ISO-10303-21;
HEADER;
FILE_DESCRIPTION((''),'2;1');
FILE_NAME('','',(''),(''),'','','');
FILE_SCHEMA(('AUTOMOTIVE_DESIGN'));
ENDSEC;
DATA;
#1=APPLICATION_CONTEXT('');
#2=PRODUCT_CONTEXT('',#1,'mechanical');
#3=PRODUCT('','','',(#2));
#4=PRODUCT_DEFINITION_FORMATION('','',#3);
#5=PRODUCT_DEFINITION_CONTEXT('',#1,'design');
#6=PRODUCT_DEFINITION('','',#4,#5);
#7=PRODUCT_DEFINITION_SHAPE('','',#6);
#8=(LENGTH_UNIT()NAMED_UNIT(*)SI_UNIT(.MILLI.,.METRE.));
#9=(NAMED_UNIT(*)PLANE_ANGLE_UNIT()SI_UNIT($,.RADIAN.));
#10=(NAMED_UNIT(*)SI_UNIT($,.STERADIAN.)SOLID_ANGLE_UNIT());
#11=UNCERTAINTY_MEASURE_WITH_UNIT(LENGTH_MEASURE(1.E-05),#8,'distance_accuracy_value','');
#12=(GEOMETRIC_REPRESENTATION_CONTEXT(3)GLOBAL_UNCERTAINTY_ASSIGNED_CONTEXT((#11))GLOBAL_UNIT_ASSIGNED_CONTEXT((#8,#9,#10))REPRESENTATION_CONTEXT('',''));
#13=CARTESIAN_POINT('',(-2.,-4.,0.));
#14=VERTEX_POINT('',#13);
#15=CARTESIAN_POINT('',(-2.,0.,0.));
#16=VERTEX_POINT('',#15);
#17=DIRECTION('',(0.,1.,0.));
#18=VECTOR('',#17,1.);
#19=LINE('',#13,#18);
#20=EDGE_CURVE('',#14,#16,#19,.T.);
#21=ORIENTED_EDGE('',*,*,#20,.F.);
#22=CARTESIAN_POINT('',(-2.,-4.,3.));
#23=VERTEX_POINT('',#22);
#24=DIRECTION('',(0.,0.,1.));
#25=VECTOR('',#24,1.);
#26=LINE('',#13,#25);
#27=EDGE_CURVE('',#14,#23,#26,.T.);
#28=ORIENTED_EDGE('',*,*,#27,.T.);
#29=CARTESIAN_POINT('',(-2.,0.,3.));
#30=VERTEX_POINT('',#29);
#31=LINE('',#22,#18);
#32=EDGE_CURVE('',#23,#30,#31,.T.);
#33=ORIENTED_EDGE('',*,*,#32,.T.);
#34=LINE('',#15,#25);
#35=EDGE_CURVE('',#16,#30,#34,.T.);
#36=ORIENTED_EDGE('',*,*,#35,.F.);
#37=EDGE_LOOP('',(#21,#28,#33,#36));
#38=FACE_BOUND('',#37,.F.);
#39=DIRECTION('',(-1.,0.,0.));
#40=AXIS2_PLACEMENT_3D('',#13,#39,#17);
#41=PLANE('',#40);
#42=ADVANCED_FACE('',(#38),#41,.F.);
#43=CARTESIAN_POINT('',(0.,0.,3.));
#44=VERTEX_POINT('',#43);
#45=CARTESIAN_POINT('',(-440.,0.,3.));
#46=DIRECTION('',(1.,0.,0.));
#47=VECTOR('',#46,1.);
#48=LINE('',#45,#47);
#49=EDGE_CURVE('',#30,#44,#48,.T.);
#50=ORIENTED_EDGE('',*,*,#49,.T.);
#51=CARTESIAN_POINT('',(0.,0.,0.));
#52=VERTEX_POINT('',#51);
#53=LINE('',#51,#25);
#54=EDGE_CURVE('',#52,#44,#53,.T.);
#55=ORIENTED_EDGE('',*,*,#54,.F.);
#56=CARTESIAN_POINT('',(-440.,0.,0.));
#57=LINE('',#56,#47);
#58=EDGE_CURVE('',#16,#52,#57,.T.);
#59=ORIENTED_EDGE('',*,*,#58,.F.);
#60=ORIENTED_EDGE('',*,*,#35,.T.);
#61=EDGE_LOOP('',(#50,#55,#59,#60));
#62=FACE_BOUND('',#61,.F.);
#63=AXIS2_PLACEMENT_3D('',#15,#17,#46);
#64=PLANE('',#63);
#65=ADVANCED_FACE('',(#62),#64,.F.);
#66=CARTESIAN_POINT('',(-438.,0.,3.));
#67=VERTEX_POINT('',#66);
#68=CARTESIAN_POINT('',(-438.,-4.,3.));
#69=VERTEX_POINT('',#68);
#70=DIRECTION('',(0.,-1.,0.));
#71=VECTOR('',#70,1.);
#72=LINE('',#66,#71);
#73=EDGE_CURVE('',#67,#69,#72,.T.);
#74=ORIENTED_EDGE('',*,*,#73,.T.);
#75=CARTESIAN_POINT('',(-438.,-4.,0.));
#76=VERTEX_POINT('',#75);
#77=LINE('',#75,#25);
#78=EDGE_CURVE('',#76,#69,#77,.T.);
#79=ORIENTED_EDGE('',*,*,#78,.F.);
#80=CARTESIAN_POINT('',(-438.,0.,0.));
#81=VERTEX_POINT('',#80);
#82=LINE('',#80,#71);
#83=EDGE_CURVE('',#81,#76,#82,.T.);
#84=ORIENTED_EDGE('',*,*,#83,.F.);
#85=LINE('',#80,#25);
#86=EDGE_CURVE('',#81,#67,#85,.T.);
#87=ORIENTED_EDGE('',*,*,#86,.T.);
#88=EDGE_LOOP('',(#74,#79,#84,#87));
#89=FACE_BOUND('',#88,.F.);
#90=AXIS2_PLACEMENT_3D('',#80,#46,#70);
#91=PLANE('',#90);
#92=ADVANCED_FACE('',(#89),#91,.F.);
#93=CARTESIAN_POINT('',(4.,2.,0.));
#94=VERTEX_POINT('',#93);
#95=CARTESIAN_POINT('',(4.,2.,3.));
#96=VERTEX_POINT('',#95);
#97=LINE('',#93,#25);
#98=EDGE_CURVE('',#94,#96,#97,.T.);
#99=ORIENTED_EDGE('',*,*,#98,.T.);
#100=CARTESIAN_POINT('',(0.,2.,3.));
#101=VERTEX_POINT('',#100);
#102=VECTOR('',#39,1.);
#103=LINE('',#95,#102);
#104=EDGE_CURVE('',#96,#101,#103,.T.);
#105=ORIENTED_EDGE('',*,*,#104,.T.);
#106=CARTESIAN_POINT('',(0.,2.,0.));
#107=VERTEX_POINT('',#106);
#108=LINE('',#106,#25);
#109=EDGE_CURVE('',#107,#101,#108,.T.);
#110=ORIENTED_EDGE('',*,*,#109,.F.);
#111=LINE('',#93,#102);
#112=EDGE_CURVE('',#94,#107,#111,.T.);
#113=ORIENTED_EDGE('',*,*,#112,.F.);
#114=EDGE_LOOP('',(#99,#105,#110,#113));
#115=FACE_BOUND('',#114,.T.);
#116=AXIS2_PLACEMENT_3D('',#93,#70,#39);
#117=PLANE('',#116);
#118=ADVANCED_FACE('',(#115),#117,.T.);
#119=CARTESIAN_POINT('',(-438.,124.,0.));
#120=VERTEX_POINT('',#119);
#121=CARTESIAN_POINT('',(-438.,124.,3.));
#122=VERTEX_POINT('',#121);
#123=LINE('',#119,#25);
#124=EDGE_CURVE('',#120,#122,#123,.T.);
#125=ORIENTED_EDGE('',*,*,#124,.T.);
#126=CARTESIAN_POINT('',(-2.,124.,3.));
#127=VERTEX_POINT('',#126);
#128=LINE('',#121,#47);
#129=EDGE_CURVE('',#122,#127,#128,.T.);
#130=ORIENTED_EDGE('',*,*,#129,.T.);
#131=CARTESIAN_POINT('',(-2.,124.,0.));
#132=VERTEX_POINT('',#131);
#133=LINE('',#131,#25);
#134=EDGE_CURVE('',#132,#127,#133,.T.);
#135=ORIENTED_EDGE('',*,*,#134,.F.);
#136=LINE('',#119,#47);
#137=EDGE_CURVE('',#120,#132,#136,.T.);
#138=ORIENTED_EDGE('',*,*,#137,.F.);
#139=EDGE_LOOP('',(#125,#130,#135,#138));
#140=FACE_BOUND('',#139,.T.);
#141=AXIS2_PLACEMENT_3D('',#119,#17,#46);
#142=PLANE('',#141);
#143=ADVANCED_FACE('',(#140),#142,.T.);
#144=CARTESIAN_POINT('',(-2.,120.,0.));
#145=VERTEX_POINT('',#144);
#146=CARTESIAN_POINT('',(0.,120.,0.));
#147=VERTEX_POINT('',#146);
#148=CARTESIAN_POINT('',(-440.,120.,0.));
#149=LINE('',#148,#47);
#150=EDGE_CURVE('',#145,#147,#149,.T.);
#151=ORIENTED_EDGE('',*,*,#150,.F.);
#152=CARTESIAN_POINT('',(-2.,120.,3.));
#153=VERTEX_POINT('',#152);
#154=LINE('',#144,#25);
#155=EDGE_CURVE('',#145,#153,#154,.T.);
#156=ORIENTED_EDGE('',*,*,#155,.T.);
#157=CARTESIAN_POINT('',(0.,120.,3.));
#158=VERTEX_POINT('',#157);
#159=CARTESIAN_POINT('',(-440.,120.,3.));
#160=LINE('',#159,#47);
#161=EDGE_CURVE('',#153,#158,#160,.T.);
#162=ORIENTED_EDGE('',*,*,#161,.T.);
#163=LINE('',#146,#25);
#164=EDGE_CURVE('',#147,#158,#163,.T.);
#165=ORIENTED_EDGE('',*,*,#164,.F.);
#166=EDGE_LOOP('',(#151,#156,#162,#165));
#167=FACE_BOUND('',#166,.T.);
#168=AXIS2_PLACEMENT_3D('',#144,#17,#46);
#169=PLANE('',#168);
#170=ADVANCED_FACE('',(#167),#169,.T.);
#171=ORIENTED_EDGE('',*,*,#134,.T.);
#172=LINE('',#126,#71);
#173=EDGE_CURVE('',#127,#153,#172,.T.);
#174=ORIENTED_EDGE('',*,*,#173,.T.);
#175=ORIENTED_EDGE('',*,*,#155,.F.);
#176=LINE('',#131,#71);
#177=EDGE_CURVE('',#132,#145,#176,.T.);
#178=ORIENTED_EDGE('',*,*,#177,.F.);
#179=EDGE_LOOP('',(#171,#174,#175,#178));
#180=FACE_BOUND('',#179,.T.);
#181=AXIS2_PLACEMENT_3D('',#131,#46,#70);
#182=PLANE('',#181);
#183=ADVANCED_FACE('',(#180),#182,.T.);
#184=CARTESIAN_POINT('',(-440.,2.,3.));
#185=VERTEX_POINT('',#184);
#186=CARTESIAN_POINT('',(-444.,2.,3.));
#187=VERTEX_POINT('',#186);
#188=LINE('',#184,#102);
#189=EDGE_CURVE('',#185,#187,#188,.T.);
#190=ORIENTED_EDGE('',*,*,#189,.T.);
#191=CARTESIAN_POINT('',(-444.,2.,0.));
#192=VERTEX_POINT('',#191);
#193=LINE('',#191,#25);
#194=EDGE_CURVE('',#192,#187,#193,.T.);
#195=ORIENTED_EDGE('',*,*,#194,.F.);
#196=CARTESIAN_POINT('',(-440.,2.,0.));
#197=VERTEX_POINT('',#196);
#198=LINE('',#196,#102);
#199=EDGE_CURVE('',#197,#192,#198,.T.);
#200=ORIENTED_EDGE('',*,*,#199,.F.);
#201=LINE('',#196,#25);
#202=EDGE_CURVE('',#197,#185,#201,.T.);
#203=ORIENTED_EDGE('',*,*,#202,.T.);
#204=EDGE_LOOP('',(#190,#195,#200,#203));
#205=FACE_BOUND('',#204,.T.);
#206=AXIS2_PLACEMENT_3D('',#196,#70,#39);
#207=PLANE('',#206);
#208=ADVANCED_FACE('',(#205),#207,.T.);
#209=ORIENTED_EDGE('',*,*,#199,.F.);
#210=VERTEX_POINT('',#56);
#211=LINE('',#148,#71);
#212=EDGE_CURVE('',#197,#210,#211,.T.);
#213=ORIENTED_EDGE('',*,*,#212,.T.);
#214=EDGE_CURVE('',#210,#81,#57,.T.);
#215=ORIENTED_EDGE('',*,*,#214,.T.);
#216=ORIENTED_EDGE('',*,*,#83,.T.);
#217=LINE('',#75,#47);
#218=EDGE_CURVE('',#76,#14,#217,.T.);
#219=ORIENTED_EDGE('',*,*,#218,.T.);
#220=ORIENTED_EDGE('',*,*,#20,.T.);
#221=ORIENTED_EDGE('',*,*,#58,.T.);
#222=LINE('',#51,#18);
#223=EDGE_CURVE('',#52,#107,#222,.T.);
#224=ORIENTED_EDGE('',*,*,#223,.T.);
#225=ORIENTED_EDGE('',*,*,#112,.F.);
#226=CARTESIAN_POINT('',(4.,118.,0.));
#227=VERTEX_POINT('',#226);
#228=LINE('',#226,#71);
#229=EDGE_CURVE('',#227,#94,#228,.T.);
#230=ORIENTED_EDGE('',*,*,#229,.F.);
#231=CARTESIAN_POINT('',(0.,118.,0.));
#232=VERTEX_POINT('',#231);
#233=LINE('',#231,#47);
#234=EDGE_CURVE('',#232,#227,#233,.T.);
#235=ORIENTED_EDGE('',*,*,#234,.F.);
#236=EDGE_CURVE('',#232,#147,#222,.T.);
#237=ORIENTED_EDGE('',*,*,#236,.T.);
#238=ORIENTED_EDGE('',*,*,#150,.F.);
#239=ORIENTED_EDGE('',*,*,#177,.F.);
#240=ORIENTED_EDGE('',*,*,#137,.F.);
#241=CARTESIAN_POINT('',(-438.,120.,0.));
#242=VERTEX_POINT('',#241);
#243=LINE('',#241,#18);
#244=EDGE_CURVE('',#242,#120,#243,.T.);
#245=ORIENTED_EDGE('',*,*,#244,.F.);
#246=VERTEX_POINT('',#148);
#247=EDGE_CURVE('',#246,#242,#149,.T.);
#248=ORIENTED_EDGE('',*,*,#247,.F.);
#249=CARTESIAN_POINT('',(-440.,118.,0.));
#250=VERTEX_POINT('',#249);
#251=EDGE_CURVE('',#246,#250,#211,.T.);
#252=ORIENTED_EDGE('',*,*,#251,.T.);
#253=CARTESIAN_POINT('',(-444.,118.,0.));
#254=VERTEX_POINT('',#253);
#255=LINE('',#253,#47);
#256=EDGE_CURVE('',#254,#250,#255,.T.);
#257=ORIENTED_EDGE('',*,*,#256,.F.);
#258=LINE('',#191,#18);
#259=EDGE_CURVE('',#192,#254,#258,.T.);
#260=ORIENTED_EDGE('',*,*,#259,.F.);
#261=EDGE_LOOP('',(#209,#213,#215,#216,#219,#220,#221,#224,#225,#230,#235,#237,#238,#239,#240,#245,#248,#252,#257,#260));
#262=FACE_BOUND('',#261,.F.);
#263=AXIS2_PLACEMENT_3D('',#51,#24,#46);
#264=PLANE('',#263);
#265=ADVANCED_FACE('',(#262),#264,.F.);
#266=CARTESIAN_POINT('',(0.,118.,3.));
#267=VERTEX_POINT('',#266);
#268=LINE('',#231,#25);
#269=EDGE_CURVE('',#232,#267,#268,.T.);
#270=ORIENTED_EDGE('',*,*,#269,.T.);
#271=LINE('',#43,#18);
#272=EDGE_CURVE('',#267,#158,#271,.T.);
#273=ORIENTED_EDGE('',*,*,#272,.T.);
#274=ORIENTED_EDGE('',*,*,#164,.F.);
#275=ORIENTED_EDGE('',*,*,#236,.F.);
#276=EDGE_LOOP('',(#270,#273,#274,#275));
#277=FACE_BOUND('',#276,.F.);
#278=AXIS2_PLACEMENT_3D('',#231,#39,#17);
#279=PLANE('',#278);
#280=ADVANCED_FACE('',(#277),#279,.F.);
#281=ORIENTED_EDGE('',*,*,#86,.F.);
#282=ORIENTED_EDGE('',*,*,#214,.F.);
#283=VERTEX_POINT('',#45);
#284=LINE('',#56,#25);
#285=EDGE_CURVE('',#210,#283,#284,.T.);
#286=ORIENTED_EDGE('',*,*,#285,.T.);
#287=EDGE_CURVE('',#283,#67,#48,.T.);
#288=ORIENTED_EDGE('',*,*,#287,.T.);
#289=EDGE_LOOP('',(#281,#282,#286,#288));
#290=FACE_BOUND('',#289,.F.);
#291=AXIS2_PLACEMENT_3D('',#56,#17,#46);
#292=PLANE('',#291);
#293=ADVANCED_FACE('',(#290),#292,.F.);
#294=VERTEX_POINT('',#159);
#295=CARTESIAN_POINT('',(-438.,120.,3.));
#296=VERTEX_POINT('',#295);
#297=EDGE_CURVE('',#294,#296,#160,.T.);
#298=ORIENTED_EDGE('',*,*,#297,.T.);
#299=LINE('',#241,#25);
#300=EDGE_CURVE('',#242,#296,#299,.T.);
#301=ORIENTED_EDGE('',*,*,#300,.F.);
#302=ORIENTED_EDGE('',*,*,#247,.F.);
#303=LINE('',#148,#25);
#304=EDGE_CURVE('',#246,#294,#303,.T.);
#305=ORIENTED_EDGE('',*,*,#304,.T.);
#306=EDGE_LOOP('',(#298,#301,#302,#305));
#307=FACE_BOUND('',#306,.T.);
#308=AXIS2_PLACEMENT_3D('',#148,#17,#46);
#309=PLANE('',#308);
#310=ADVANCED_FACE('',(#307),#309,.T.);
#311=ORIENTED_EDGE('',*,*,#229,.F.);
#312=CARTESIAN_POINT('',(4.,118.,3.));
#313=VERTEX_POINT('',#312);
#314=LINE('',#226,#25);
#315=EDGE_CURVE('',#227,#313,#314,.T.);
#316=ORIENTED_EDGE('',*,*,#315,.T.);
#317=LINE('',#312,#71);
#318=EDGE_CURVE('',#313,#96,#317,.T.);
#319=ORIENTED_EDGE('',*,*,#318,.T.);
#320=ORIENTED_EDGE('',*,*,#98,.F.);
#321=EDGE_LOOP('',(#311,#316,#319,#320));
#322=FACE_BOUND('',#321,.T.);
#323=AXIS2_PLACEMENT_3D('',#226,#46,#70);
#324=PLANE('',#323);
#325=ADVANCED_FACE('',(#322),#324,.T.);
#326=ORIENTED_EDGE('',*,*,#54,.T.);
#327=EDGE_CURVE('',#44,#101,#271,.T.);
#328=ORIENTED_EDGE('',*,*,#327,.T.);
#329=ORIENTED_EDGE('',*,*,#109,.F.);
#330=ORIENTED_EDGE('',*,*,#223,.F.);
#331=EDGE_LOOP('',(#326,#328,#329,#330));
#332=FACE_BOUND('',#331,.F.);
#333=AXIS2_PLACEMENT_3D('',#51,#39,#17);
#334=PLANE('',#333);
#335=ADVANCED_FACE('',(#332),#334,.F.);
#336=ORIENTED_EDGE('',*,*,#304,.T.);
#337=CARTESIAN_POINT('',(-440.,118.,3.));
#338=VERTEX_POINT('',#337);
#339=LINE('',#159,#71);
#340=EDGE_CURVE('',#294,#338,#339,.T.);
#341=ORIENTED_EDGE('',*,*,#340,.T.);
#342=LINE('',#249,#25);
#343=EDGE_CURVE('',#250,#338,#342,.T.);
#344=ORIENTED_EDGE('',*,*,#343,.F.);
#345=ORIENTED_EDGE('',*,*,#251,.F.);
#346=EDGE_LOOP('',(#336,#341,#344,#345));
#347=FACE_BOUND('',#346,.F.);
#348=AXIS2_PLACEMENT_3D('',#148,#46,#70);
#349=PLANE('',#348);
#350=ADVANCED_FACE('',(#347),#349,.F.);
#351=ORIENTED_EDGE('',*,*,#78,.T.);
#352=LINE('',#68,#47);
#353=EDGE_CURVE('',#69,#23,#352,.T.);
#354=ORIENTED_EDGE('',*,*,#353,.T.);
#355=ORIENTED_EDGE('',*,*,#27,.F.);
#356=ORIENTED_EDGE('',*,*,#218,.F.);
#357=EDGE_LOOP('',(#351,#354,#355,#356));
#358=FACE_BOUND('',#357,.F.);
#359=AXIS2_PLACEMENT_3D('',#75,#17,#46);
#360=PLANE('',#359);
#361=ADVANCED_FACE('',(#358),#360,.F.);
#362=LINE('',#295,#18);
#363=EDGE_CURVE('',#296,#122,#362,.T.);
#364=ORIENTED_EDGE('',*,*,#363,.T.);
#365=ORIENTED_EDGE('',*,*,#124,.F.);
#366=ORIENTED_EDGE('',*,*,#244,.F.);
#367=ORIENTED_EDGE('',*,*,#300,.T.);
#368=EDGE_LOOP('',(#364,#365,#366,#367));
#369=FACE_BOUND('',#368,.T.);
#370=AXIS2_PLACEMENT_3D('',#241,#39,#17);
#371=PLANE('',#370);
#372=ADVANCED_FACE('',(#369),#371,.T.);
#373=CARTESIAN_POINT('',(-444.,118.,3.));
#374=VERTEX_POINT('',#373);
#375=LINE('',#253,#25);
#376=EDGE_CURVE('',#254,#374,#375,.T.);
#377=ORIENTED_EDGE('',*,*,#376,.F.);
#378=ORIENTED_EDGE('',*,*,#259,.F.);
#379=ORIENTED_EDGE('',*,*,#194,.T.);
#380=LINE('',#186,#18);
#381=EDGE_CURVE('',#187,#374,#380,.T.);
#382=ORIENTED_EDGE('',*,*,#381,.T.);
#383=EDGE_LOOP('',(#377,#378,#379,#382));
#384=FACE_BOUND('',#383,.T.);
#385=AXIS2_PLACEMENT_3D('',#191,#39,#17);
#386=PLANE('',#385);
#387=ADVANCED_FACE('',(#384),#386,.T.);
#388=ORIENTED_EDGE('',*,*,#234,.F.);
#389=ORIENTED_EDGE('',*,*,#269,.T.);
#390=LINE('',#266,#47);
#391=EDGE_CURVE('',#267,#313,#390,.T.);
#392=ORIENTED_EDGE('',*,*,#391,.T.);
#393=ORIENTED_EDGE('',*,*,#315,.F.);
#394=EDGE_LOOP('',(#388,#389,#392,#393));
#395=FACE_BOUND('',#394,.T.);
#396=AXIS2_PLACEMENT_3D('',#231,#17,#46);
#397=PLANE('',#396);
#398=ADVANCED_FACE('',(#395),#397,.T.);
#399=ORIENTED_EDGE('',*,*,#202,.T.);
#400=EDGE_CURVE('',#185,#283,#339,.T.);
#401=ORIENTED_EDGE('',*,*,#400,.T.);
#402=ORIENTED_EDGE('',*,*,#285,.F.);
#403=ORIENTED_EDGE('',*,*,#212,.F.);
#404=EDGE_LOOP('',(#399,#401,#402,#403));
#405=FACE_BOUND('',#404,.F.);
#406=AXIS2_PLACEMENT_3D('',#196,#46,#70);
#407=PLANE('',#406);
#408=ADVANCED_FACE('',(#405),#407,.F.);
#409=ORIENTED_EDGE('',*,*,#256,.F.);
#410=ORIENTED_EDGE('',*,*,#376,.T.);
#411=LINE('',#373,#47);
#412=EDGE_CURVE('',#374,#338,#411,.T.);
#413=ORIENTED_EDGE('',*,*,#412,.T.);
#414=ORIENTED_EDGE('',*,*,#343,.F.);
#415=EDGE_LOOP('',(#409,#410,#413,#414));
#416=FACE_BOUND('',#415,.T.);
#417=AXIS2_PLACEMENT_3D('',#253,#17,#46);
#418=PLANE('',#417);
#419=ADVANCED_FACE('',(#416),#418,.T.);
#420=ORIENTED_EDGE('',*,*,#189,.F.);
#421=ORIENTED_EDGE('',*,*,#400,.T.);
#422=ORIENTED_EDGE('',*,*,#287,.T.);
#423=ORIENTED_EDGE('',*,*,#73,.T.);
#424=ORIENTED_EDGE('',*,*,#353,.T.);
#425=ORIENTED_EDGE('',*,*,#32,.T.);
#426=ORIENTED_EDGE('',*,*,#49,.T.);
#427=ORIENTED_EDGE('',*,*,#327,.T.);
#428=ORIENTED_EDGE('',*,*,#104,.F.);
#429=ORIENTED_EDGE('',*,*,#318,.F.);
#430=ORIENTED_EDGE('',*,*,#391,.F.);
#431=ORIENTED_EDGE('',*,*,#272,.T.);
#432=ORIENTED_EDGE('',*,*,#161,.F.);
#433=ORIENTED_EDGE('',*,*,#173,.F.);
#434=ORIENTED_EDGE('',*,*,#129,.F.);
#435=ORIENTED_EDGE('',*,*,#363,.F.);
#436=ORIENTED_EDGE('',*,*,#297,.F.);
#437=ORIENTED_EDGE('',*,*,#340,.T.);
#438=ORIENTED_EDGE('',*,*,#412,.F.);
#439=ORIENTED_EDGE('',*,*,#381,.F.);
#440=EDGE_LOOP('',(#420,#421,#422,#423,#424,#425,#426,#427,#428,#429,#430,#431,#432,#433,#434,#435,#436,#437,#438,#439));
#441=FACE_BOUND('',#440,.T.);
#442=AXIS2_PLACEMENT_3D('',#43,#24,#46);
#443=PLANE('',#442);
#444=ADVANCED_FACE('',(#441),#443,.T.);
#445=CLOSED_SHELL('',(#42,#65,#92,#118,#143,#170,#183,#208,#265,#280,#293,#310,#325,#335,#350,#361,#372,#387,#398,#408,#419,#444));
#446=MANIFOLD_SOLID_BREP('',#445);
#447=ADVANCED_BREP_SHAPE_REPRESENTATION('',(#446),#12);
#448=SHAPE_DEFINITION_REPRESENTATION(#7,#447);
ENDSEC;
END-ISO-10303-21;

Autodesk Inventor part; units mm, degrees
ref_plane "YZ Plane" through (0, 0, 0) normal (1, 0, 0) x (0, 1, 0)
ref_plane "XZ Plane" through (0, 0, 0) normal (0, 1, 0) x (-1, 0, 0)
ref_plane "XY Plane" through (0, 0, 0) normal (0, 0, 1) x (1, 0, 0)
sketch "Sketch1" plane through (0, 0, 0) normal (0, 0, 1) x (1, 0, 0)
  line L0 (0, 0) -> (6, 0) projected
  line L1 (6, 0) -> (6, 120) projected
  line L2 (0, 120) -> (6, 120) projected
  line L3 (0, 0) -> (0, 120) projected
  line L4 (0, -6) -> (-440, -6) projected
  line L5 (0, -6) -> (0, 0) projected
  line L6 (-440, 0) -> (0, 0) projected
  line L7 (-440, -6) -> (-440, 0) projected
  line L8 (0, 126) -> (-440, 126) projected
  line L9 (-440, 126) -> (-440, 120) projected
  line L10 (-440, 120) -> (0, 120) projected
  line L11 (0, 120) -> (0, 126) projected
  line L12 (-446, 120) -> (-440, 120) projected
  line L13 (-440, 120) -> (-440, 0) projected
  line L14 (-446, 0) -> (-440, 0) projected
  line L15 (-446, 120) -> (-446, 0) projected
  line L16 (0, 120) -> (-440, 120)
  line L17 (-440, 120) -> (-440, 0)
  line L18 (-440, 0) -> (0, 0)
  line L19 (0, 0) -> (0, 120)
  line L20 (0, 118) -> (4, 118)
  line L21 (4, 118) -> (4, 2)
  line L22 (4, 2) -> (0, 2)
  line L23 (-438, 120) -> (-438, 124)
  line L24 (-438, 124) -> (-2, 124)
  line L25 (-2, 124) -> (-2, 120)
  line L26 (-438, 0) -> (-438, -4)
  line L27 (-438, -4) -> (-2, -4)
  line L28 (-2, -4) -> (-2, 0)
  line L29 (-440, 2) -> (-444, 2)
  line L30 (-444, 2) -> (-444, 118)
  line L31 (-444, 118) -> (-440, 118)
  point P0 (-456.0051, 134.3667)
  point P1 (-456.0051, 4.3667)
  point P2 (-6.0051, 134.3667)
  point P3 (-2, 0)
  dimension "d3" = 2
  dimension "d4" = 2
  dimension "d5" = 2
  dimension "d6" = 2
extrude "Extrusion1" add sketch "Sketch1" along normal blind 3 contours L6 L13 L10 L3 | L3 L20 L21 L22 | L28 L27 L26 L6 | L10 L23 L24 L25 | L29 L30 L31 L13
properties part number "ypanel"
